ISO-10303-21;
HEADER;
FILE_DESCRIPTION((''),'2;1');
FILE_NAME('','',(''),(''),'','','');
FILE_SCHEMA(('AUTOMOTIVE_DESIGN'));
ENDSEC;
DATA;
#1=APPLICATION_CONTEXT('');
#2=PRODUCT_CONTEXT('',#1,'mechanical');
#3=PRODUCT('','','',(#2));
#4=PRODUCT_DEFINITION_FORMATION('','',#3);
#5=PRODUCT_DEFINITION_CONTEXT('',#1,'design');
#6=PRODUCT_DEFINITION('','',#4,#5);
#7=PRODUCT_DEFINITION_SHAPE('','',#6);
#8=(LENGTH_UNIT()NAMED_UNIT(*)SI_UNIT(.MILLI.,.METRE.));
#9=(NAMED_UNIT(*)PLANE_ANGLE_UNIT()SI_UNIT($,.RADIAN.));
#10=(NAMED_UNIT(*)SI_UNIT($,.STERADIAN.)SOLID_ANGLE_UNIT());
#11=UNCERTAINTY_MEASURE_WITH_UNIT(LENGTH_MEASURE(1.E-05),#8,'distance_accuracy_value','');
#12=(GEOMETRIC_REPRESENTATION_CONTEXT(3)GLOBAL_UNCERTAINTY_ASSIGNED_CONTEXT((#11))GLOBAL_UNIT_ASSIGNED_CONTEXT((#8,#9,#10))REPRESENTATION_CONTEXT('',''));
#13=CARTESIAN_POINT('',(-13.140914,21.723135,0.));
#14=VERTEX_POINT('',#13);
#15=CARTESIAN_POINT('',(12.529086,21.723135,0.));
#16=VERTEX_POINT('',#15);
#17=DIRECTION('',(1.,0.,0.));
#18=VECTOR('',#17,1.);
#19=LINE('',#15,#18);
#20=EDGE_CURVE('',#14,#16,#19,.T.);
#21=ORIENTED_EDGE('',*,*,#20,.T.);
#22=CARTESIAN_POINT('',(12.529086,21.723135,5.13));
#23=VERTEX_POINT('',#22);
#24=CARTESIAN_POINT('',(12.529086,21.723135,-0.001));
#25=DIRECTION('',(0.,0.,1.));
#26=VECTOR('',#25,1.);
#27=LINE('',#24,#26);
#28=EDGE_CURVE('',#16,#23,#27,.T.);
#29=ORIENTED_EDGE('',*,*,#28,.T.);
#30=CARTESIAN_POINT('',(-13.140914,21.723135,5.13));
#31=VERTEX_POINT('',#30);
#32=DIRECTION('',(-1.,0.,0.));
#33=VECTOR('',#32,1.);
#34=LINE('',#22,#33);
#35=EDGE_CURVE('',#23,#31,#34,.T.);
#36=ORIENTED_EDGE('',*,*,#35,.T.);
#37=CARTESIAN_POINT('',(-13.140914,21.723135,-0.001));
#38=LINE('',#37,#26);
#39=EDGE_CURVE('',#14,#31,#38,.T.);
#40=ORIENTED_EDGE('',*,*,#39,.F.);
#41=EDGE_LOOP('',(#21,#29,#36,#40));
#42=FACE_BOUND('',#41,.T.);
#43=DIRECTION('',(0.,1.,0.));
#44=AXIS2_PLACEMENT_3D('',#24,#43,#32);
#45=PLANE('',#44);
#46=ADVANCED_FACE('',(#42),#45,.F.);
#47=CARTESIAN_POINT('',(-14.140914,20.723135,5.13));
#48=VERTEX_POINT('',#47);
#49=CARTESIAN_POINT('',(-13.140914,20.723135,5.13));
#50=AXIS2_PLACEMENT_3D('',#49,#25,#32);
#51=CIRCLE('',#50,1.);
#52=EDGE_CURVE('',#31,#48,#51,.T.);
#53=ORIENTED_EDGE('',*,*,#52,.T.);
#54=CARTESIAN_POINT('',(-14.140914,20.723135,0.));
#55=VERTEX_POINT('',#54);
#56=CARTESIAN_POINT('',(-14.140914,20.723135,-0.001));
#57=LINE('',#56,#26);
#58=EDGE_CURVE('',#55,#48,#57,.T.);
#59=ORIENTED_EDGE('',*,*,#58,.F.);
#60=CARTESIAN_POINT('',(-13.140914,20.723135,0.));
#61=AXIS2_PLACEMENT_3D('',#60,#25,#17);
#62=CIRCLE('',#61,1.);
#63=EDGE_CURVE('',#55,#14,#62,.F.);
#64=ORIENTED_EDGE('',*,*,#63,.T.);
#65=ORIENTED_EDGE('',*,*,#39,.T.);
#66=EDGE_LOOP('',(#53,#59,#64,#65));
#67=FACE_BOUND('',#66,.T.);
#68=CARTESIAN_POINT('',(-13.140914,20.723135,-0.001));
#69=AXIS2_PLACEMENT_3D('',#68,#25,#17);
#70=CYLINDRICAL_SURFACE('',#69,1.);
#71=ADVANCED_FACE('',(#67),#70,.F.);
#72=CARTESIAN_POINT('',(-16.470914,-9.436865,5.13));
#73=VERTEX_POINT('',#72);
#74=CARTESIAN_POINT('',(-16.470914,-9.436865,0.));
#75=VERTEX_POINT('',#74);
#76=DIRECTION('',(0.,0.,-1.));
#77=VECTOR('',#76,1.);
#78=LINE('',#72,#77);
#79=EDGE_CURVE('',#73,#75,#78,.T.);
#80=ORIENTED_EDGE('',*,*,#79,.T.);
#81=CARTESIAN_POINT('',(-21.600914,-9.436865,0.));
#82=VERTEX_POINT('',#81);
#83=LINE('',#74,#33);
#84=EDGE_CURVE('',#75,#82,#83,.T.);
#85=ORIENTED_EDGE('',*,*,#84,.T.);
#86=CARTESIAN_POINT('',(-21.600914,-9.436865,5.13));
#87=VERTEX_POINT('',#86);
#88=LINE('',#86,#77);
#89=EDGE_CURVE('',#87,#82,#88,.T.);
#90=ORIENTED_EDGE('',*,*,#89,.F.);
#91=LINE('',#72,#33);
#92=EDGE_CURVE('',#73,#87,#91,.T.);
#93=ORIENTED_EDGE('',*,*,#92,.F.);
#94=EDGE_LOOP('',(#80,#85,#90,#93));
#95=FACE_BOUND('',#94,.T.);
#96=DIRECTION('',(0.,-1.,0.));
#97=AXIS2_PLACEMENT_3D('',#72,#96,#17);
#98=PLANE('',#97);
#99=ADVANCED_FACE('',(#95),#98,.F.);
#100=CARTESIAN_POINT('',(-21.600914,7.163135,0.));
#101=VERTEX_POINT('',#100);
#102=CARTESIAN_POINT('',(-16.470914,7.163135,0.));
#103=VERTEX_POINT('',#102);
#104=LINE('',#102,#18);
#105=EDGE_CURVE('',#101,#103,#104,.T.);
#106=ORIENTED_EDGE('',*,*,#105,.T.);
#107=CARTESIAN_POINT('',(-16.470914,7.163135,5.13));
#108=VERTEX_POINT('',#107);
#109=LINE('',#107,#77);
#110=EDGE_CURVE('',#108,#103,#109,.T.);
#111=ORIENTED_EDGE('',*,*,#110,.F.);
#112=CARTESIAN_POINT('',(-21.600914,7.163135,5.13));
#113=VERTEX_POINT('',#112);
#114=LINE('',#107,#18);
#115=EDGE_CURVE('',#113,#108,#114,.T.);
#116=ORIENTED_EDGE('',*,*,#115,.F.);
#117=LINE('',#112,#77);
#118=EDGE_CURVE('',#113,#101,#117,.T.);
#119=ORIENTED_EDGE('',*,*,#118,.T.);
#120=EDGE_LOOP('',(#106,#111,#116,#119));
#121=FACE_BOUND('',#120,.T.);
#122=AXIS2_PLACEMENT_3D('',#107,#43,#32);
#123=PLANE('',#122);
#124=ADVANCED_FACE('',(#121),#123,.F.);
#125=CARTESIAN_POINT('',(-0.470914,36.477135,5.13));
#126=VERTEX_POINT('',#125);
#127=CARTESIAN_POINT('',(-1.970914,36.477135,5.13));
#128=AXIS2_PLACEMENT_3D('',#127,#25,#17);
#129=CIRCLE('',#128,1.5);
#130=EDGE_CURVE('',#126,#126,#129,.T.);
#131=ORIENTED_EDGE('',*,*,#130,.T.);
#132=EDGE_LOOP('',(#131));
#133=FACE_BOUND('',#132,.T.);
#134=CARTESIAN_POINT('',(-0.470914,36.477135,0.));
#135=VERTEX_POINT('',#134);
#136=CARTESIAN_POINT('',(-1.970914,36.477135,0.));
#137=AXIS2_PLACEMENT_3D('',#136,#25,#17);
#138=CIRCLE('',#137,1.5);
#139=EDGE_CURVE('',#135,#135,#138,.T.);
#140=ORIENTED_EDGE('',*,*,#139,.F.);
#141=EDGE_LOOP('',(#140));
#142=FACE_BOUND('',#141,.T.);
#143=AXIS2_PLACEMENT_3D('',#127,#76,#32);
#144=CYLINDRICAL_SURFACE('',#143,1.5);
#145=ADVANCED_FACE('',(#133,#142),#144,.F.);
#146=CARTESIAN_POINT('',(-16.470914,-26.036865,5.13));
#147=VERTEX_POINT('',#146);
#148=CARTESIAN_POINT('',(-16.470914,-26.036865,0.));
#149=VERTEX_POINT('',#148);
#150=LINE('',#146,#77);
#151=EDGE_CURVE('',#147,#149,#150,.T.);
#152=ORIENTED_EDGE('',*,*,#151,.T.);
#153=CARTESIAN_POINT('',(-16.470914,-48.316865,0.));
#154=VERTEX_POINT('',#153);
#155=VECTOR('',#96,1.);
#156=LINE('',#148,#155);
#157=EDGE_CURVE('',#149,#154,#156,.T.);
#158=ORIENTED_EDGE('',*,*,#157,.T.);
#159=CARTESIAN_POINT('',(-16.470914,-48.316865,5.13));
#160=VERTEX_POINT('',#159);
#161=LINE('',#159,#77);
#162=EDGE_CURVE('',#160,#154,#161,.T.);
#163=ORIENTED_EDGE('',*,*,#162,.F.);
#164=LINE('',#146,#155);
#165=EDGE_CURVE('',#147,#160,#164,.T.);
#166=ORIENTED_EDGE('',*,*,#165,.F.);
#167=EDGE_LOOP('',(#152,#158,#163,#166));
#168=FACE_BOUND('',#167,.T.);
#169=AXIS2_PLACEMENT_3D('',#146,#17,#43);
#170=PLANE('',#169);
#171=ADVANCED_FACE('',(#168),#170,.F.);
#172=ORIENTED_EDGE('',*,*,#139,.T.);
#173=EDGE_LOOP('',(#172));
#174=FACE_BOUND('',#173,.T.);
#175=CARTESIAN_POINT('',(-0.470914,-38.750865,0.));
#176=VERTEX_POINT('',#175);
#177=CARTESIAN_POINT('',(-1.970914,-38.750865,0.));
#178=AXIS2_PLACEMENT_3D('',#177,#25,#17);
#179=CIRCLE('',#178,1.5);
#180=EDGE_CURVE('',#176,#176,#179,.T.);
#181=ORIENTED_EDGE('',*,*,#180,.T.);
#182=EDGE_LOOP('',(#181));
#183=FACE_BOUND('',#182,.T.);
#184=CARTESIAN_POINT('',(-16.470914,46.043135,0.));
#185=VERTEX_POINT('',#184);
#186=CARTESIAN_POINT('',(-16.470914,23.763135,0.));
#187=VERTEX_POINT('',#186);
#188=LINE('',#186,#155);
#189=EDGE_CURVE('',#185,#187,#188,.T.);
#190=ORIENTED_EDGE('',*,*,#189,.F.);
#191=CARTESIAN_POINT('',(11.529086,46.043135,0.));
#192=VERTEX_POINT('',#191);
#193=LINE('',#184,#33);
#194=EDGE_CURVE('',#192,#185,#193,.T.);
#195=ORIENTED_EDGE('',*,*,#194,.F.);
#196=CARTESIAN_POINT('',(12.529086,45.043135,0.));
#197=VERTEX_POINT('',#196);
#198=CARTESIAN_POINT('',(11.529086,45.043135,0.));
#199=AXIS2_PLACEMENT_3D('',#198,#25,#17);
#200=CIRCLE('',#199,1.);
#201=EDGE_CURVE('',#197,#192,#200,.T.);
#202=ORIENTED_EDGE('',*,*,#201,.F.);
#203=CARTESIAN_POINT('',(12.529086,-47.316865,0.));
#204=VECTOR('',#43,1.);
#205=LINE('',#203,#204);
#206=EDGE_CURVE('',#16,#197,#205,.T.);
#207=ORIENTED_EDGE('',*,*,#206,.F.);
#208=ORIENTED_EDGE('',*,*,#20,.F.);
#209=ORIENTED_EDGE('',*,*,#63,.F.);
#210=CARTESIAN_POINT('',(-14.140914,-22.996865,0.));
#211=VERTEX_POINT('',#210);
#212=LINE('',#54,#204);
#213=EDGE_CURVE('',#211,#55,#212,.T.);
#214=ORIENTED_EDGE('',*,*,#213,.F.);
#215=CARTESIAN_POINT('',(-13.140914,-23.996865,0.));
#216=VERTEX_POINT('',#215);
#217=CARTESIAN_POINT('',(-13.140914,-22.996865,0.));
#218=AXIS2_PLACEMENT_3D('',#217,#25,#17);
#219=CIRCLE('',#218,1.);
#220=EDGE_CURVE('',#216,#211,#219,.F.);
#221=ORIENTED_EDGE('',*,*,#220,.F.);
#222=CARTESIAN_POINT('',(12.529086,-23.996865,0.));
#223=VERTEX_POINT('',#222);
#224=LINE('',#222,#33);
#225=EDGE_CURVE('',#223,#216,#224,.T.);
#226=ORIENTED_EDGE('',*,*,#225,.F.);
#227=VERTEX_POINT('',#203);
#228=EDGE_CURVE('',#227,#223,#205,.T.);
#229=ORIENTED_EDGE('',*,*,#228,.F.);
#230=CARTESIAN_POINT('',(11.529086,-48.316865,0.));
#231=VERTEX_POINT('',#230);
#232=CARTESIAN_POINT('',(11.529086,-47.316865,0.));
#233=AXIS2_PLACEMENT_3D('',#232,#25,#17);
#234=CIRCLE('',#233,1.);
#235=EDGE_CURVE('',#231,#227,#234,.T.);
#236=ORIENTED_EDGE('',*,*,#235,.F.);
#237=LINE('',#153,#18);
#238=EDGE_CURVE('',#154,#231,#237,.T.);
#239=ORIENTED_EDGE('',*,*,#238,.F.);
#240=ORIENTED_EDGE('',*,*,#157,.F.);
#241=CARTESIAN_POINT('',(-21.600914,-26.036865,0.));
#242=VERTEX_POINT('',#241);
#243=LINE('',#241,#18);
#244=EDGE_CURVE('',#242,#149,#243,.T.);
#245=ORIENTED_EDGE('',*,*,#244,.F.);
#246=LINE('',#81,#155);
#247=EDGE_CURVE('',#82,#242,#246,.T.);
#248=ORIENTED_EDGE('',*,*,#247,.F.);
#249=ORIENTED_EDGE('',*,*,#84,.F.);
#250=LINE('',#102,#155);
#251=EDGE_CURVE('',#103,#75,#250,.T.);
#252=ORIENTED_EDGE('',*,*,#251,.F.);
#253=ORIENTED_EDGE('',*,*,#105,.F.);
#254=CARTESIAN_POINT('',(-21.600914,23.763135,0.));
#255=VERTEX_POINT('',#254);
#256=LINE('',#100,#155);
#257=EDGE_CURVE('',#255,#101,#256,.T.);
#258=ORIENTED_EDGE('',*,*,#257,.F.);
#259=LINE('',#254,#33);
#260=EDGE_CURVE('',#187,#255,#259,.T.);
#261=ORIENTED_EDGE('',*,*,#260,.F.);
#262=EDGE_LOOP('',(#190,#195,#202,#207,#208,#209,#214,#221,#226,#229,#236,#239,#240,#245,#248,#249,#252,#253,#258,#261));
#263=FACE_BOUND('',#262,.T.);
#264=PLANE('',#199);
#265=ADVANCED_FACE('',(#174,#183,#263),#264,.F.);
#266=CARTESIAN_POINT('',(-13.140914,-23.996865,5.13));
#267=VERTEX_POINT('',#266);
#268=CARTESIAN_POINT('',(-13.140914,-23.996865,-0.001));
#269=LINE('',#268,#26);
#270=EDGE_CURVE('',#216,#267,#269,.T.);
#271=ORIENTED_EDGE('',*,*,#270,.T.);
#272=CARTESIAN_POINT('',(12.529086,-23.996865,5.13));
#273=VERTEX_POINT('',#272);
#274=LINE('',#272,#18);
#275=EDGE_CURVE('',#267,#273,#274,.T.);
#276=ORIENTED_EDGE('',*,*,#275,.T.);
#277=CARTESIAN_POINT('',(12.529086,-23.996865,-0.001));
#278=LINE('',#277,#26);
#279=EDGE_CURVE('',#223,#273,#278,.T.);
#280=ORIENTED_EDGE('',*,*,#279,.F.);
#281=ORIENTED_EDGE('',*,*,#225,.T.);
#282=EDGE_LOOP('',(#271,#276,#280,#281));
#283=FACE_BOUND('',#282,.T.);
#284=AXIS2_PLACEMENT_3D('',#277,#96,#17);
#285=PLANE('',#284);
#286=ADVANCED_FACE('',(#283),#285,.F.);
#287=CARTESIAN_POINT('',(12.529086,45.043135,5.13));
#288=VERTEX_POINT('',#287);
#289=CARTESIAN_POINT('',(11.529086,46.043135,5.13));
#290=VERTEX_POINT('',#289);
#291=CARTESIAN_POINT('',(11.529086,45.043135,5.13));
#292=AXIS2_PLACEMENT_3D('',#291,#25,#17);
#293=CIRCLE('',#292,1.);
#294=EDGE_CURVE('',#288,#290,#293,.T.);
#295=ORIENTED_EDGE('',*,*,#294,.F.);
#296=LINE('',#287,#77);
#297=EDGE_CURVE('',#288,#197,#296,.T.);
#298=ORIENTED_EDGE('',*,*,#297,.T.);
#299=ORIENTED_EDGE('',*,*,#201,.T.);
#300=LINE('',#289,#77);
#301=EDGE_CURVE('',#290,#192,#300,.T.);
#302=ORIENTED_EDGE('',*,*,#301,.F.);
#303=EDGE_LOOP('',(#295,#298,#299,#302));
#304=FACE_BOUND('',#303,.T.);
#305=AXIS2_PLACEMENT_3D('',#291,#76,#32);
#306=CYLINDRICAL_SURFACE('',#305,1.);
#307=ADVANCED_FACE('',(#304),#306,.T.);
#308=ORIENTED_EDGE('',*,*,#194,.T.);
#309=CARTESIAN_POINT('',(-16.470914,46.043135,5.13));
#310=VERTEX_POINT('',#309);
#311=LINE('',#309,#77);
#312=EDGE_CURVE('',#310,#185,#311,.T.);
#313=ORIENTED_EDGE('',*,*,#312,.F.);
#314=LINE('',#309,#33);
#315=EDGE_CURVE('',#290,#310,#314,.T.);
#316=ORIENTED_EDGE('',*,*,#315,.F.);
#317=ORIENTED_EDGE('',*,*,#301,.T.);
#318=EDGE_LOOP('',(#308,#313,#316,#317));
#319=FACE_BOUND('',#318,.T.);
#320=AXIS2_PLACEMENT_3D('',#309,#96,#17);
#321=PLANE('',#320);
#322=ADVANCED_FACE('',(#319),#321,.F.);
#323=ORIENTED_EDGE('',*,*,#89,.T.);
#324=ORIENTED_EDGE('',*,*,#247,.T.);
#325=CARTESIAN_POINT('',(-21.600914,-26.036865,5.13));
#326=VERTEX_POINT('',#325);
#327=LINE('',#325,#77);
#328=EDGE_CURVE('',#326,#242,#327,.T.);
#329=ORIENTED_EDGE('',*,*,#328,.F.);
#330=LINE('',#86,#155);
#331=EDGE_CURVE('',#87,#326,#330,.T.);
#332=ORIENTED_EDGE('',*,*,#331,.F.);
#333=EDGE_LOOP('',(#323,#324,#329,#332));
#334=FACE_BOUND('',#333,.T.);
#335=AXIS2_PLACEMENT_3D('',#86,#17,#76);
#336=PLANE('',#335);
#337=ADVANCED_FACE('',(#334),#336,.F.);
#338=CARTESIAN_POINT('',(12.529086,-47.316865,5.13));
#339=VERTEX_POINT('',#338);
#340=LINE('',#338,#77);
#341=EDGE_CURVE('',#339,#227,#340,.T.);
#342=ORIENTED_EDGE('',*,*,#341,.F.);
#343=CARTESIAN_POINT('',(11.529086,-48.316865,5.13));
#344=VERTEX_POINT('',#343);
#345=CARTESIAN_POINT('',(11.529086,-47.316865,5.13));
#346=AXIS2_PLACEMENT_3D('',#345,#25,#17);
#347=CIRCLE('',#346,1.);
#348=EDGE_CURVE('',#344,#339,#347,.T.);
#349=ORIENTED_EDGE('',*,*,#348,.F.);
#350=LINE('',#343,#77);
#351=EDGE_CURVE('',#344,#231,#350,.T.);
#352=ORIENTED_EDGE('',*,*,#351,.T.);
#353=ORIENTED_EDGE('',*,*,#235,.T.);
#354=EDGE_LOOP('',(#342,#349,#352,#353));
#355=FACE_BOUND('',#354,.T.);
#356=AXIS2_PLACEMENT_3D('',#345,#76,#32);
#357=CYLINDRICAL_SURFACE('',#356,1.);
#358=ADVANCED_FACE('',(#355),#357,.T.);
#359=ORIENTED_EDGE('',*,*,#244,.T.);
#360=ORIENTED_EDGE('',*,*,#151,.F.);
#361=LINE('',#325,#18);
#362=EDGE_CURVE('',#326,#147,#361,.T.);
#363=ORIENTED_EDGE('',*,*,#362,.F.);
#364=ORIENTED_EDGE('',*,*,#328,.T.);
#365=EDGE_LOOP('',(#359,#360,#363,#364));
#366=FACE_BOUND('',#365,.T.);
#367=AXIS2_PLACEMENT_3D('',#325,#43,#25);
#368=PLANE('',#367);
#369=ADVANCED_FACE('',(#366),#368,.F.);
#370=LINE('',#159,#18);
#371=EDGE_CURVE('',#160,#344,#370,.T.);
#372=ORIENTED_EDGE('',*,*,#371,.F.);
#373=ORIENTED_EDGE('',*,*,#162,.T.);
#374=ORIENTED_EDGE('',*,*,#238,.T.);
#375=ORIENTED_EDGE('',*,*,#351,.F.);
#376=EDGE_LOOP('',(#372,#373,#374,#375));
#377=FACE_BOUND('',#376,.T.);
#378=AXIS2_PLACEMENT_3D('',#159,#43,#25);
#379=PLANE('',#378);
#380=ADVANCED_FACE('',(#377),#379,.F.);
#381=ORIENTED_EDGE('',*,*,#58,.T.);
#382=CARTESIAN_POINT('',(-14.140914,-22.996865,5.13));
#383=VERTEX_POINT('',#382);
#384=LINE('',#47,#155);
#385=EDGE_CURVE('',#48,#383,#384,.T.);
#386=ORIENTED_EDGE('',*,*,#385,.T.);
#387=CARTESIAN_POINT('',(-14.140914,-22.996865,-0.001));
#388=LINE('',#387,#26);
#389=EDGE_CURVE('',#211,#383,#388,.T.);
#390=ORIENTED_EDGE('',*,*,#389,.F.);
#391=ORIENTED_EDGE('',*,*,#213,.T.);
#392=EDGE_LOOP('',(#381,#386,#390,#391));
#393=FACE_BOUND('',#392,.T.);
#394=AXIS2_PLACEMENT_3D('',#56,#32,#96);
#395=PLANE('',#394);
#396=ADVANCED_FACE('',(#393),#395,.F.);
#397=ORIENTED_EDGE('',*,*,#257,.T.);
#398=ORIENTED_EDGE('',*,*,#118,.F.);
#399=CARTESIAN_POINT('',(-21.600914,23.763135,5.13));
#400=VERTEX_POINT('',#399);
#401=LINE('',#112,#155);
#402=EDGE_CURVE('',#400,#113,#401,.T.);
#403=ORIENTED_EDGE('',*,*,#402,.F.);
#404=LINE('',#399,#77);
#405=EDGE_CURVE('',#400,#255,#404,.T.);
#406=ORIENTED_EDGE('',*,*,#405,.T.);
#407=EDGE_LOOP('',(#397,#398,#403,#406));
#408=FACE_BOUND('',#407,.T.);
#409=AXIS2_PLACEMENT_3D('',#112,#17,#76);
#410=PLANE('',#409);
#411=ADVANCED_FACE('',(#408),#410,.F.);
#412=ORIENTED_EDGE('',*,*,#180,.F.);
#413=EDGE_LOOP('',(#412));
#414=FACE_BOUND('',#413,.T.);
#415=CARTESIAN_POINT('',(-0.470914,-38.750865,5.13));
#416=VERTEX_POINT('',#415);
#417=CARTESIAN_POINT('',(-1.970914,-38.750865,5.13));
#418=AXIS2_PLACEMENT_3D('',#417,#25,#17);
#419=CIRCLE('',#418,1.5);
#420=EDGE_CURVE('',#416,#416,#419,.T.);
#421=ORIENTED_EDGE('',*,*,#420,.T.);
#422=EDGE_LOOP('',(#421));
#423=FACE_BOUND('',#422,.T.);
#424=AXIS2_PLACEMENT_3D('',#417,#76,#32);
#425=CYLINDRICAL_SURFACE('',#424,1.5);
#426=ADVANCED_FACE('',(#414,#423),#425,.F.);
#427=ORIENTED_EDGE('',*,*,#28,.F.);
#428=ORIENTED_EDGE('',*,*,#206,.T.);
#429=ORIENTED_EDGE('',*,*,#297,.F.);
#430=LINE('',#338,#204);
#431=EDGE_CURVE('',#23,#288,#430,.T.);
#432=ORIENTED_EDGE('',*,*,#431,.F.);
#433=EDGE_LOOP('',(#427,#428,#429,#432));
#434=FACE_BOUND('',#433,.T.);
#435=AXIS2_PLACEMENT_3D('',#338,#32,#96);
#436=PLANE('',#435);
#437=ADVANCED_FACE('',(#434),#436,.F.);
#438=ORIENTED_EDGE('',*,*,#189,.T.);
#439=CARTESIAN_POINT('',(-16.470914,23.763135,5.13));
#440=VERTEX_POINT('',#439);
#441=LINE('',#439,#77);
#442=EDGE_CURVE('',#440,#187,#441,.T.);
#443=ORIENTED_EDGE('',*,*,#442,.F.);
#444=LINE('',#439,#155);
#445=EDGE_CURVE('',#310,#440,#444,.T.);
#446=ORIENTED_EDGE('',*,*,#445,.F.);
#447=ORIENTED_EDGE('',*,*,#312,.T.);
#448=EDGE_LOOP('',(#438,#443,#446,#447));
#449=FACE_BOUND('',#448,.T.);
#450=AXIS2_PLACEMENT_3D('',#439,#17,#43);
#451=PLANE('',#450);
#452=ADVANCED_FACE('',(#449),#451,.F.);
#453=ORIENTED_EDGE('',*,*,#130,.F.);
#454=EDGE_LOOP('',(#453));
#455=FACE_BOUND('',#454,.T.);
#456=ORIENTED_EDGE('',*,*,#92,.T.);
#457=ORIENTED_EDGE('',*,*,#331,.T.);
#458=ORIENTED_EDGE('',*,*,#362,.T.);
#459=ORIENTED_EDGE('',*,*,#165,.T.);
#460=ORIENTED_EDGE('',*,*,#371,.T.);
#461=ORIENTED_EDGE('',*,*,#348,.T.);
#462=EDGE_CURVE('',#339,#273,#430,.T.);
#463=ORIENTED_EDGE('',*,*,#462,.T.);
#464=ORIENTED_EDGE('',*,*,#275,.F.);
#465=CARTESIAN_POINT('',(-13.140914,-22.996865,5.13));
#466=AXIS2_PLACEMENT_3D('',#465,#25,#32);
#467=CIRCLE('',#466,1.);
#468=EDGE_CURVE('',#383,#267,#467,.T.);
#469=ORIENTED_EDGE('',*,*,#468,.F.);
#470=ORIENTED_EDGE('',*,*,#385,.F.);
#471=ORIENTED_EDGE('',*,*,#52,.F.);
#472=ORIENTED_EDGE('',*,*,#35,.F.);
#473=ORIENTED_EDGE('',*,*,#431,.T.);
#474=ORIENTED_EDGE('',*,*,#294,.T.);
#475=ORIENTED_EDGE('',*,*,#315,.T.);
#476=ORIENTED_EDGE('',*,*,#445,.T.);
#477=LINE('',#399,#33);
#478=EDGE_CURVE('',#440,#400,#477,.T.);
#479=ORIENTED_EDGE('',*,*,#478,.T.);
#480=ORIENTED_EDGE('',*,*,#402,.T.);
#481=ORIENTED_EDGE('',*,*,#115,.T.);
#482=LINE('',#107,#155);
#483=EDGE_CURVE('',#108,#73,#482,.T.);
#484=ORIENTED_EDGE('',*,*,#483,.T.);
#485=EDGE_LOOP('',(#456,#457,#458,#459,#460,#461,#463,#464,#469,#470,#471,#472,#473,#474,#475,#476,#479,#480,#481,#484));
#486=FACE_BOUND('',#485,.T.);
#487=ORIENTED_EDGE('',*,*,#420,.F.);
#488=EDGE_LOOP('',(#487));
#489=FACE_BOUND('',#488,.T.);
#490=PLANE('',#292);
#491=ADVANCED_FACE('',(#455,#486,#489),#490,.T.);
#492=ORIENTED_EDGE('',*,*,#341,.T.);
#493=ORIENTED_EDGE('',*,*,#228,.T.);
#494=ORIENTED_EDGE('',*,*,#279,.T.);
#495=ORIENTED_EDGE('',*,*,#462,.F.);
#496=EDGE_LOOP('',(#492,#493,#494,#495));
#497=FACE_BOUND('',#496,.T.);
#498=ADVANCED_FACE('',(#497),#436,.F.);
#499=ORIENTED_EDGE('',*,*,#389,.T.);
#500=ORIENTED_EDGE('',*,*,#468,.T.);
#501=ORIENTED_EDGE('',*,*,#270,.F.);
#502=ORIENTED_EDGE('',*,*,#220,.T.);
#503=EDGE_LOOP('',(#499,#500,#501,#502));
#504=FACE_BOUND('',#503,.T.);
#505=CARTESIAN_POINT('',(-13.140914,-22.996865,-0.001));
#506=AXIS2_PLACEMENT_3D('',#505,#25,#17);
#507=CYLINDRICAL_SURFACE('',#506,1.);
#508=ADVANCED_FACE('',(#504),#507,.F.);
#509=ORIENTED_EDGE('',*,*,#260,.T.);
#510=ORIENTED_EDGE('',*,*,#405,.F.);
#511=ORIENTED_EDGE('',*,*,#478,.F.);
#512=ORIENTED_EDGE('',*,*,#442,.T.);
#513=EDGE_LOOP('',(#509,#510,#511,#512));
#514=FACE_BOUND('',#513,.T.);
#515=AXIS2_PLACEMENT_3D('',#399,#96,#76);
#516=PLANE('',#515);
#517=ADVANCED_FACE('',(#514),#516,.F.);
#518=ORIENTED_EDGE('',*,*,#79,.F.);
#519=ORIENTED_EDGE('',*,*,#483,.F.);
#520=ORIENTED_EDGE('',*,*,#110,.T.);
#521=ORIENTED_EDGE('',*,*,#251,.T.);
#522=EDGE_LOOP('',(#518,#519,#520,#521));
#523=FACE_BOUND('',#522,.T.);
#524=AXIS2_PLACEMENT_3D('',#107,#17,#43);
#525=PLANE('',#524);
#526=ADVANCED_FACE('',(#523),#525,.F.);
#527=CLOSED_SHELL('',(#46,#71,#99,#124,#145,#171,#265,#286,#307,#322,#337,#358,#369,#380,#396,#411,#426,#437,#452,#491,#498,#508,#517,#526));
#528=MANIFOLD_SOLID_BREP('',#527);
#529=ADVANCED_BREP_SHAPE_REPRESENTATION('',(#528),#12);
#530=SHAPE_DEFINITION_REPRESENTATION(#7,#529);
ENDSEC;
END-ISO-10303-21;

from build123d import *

# Parameters (mm, degrees)
SKETCH1_R           = 1.5
BOSS_EXTRUDE1_DEPTH = 5.13
CUT_EXTRUDE1_REACH  = 7.13


with BuildPart() as part:
    # Sketch1 → Boss-Extrude1 (new body)
    with BuildSketch(Plane.XY):
        with BuildLine():
            Line((-16.470914087, 7.163135174), (-16.470914087, -9.436864826))
            Line((-16.470914087, -9.436864826), (-21.600914087, -9.436864826))
            Line((-21.600914087, -9.436864826), (-21.600914087, -26.036864826))
            Line((-21.600914087, -26.036864826), (-16.470914087, -26.036864826))
            Line((-16.470914087, -26.036864826), (-16.470914087, -48.316864826))
            Line((-16.470914087, -48.316864826), (11.529085913, -48.316864826))
            ThreePointArc((11.529085913, -48.316864826), (12.236192694, -48.023971608), (12.529085913, -47.316864826))
            Line((12.529085913, -47.316864826), (12.529085913, 45.043135174))
            ThreePointArc((12.529085913, 45.043135174), (12.236192694, 45.750241955), (11.529085913, 46.043135174))
            Line((11.529085913, 46.043135174), (-16.470914087, 46.043135174))
            Line((-16.470914087, 46.043135174), (-16.470914087, 23.763135174))
            Line((-16.470914087, 23.763135174), (-21.600914087, 23.763135174))
            Line((-21.600914087, 23.763135174), (-21.600914087, 7.163135174))
            Line((-21.600914087, 7.163135174), (-16.470914087, 7.163135174))
        make_face()
        with Locations((-1.970914087, -38.750864826)):
            Circle(SKETCH1_R, mode=Mode.SUBTRACT)
        with Locations((-1.970914087, 36.477135174)):
            Circle(SKETCH1_R, mode=Mode.SUBTRACT)
    extrude(amount=BOSS_EXTRUDE1_DEPTH)

    # Sketch2 → Cut-Extrude1 (cut, up to next)
    with BuildSketch(Plane.XY.offset(5.13), mode=Mode.PRIVATE) as cut_extrude1_sk1:
        with BuildLine():
            Line((12.529085913, 21.723135174), (-13.140914087, 21.723135174))
            ThreePointArc((-13.140914087, 21.723135174), (-13.848020868, 21.430241955), (-14.140914087, 20.723135174))
            Line((-14.140914087, 20.723135174), (-14.140914087, -22.996864826))
            ThreePointArc((-14.140914087, -22.996864826), (-13.848020868, -23.703971608), (-13.140914087, -23.996864826))
            Line((-13.140914087, -23.996864826), (12.529085913, -23.996864826))
            Line((12.529085913, -23.996864826), (12.529085913, 21.723135174))
        make_face()
    cut_extrude1_tool1 = extrude(cut_extrude1_sk1.sketch, amount=-CUT_EXTRUDE1_REACH, mode=Mode.PRIVATE) & part.part
    add(cut_extrude1_tool1.solids().sort_by_distance((-0.801297, -1.136865, 5.13))[0], mode=Mode.SUBTRACT)


solid = part.part
